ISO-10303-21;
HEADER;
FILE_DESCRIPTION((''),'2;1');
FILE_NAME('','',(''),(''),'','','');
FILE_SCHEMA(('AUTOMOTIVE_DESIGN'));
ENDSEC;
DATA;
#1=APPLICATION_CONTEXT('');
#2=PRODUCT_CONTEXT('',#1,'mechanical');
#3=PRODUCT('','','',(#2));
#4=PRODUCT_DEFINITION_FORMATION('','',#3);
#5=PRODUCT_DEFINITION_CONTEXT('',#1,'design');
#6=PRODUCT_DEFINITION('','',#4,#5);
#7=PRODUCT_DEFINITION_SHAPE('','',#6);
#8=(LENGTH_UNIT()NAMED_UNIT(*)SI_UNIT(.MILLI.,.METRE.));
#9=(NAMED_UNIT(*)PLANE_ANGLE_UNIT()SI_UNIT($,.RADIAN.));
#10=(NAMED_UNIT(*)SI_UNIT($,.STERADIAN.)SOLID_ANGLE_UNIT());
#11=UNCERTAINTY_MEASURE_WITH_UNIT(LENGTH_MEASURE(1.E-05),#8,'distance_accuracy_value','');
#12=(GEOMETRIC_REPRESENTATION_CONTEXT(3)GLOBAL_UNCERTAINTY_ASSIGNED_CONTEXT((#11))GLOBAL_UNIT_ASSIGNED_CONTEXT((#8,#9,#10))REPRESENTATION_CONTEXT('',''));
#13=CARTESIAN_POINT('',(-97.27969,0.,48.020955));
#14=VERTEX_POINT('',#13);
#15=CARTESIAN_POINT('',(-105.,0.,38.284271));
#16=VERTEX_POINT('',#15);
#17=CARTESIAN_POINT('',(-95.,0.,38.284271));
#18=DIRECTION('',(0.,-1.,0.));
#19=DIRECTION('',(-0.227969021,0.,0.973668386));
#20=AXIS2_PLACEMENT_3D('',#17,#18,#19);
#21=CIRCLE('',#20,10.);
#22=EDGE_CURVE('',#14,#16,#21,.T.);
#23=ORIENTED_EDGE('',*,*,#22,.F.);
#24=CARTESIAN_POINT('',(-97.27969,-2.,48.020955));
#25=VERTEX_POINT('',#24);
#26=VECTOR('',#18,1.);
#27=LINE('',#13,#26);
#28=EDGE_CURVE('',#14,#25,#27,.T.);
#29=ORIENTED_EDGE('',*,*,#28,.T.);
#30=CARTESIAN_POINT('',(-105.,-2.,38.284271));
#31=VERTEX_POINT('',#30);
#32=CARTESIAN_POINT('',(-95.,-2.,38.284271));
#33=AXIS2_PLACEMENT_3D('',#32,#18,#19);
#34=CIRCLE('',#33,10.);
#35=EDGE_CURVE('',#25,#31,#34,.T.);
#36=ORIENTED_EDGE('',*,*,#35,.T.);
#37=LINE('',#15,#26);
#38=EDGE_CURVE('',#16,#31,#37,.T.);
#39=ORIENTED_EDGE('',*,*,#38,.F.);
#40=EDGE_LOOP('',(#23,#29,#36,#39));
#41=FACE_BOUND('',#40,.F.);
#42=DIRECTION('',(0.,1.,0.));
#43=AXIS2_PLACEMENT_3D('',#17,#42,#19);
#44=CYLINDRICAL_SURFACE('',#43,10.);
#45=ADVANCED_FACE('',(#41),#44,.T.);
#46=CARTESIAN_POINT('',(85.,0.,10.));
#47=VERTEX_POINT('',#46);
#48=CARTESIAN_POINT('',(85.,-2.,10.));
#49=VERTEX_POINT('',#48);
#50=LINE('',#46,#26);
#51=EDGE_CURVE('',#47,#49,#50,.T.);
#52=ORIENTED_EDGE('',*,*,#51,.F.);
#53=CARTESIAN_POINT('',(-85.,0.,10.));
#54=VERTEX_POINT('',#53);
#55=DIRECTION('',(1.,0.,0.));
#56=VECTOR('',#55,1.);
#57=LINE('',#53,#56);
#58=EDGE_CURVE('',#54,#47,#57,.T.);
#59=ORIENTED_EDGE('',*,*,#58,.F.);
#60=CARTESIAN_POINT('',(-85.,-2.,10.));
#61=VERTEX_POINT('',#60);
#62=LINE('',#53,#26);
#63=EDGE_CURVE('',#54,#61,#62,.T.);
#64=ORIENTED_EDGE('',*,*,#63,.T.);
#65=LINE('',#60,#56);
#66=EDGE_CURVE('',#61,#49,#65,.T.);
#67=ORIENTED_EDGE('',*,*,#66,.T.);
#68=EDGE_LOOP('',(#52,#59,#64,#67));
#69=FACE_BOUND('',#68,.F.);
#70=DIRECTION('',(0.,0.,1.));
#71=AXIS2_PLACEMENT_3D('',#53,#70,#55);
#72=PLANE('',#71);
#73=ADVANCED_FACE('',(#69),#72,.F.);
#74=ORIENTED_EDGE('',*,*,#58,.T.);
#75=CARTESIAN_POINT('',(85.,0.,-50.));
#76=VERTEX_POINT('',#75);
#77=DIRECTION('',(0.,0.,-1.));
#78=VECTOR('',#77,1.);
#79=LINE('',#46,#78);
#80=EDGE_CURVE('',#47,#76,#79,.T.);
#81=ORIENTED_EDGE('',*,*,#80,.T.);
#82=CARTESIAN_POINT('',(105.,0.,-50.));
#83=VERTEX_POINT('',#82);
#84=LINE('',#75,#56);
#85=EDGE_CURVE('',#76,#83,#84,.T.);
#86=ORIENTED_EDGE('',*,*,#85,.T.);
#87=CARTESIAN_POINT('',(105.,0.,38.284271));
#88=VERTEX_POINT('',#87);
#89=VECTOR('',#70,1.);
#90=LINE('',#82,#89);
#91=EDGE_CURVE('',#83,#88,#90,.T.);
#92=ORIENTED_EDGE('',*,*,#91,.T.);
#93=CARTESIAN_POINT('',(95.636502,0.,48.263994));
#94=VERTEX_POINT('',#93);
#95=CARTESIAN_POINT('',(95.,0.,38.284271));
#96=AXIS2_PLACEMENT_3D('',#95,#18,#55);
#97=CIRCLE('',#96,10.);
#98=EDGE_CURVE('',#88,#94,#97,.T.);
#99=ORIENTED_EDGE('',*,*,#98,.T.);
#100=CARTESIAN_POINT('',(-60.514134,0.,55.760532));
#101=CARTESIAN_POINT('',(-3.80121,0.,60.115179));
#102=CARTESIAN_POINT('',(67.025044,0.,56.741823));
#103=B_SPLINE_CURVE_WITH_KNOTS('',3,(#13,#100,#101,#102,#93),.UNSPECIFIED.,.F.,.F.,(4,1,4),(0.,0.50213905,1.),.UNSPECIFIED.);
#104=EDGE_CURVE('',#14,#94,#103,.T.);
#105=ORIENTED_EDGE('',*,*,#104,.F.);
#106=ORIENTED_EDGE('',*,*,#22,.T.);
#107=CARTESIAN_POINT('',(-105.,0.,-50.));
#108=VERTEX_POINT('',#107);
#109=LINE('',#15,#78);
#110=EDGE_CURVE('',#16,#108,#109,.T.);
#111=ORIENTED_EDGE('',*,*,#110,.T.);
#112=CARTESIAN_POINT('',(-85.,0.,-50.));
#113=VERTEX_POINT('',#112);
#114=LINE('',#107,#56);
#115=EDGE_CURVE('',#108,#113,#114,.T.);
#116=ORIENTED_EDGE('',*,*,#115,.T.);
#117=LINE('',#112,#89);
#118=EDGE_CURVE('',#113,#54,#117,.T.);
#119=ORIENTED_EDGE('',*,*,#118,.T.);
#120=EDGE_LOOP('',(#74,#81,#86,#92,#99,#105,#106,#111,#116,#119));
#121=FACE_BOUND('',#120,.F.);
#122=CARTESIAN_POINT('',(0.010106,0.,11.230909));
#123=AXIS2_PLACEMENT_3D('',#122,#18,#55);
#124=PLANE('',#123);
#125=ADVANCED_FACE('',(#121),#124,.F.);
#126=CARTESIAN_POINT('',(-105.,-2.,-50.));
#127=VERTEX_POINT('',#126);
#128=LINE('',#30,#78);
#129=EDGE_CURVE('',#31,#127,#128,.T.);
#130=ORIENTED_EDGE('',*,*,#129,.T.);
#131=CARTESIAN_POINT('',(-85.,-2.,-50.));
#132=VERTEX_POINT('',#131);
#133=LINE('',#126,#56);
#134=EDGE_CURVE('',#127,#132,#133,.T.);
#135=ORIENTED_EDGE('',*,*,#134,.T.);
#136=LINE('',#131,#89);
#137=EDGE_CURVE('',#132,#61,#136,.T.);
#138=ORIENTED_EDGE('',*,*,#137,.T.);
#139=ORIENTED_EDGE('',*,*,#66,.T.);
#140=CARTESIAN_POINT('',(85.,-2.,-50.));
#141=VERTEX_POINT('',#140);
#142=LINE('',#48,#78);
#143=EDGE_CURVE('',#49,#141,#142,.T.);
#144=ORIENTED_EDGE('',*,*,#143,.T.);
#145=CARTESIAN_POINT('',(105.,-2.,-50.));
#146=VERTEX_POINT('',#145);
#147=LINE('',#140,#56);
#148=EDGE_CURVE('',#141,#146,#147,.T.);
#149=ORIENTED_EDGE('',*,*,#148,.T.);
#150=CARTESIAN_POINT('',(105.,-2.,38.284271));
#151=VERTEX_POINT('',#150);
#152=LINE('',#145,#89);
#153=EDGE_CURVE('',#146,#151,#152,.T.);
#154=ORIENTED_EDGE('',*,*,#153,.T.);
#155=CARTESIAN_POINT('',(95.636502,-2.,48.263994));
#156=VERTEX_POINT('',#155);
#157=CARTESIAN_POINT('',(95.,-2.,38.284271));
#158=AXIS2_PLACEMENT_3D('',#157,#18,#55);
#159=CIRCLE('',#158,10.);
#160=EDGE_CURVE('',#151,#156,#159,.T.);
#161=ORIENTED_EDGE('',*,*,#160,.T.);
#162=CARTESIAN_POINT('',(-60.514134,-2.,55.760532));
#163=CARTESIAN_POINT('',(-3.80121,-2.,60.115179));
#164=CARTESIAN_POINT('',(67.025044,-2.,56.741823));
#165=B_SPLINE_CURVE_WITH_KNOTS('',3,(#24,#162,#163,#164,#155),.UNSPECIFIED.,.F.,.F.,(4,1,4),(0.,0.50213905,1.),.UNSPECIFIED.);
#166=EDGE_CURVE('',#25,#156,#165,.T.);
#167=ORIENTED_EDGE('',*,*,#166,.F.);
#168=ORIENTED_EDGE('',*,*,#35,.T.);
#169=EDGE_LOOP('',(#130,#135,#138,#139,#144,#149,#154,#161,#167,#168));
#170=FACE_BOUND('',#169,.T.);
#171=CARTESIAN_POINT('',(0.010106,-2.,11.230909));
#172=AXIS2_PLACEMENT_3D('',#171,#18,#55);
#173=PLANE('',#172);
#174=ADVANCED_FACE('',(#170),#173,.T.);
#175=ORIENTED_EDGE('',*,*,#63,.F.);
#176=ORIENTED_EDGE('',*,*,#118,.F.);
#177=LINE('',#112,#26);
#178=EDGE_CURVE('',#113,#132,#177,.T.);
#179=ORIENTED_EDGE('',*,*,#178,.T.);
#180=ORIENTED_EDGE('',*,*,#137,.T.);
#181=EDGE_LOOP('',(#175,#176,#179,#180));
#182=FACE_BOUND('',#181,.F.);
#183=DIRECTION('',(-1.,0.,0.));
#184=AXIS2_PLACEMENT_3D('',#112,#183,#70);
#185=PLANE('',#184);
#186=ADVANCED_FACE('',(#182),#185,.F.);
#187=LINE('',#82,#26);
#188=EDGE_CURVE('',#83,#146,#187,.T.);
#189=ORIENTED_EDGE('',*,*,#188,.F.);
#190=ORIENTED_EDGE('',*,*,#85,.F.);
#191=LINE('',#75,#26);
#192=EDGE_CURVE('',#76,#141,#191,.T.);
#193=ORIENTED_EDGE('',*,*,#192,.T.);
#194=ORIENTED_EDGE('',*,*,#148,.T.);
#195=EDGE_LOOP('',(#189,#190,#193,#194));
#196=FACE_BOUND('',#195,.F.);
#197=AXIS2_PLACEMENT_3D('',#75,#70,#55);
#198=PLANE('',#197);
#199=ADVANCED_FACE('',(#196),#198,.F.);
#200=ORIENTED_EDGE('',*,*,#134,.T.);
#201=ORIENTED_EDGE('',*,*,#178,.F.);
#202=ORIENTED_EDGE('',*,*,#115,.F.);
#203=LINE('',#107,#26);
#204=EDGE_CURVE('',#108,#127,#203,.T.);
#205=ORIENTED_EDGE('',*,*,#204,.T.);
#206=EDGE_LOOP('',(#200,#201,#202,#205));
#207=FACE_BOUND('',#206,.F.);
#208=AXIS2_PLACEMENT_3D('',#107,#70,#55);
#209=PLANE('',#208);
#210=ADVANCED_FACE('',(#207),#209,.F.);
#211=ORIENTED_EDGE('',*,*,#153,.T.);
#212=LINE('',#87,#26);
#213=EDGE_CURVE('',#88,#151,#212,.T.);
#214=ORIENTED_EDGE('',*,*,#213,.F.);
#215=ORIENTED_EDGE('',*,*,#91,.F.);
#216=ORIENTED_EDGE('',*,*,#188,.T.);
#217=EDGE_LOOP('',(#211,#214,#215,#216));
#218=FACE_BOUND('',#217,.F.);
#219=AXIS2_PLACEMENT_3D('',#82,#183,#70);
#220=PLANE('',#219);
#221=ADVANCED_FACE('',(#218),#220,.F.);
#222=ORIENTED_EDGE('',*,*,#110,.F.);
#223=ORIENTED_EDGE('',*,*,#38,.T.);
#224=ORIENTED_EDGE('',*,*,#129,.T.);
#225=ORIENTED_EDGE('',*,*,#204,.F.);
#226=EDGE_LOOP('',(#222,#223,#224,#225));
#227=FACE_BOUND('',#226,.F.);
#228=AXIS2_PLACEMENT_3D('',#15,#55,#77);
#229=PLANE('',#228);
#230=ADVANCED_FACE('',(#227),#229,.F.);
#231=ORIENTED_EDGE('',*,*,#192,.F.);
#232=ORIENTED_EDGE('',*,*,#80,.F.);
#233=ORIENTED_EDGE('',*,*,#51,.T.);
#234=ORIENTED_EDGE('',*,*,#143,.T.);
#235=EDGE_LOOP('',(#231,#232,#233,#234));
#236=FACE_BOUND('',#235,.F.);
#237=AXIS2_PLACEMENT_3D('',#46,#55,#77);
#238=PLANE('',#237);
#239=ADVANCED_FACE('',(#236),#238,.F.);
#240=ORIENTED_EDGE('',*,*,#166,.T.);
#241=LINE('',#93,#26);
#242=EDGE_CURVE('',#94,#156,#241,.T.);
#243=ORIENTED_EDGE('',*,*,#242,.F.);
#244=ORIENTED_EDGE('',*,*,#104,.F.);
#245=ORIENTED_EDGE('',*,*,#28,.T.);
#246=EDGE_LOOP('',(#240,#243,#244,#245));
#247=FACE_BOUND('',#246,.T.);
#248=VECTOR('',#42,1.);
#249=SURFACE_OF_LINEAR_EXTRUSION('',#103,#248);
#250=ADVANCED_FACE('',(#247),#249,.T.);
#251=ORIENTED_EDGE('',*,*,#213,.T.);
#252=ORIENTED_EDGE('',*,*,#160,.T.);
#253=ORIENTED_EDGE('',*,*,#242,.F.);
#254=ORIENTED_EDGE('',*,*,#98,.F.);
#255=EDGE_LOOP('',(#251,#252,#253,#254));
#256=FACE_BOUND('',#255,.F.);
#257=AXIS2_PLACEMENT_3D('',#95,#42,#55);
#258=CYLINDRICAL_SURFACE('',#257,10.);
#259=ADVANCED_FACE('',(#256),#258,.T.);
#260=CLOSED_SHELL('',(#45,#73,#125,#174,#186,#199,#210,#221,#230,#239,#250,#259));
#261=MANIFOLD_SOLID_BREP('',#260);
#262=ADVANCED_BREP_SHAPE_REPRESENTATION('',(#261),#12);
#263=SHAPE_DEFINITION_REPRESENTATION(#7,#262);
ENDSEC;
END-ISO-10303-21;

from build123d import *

# Parameters (mm, degrees)
F1_DEPTH = 2


with BuildPart() as f1:
    # F0 (on Front) → F1 (new body)
    with BuildSketch(Plane.XZ):
        with BuildLine():
            ThreePointArc((-97.2796902061, 48.0209551062), (-102.8357163699, 44.4972857308), (-105, 38.2842712475))
            Line((-105, 38.2842712475), (-105, -50))
            Line((-105, -50), (-85, -50))
            Line((-85, -50), (-85, 10))
            Line((-85, 10), (85, 10))
            Line((85, 10), (85, -50))
            Line((85, -50), (105, -50))
            Line((105, -50), (105, 38.2842712475))
            ThreePointArc((105, 38.2842712475), (102.2926339235, 45.1266020242), (95.6365019083, 48.2639939551))
            add(Edge.make_bspline(
                [(-97.2796902061, 48.0209551062), (-60.5141335586, 55.7605321976), (-3.8012095964, 60.1151794196), (67.0250435268, 56.7418227483), (95.6365019083, 48.2639939551)],
                knots=[0, 0, 0, 0, 0.5021390504, 1, 1, 1, 1], degree=3))
        make_face()
    extrude(amount=F1_DEPTH)


solid = f1.part
